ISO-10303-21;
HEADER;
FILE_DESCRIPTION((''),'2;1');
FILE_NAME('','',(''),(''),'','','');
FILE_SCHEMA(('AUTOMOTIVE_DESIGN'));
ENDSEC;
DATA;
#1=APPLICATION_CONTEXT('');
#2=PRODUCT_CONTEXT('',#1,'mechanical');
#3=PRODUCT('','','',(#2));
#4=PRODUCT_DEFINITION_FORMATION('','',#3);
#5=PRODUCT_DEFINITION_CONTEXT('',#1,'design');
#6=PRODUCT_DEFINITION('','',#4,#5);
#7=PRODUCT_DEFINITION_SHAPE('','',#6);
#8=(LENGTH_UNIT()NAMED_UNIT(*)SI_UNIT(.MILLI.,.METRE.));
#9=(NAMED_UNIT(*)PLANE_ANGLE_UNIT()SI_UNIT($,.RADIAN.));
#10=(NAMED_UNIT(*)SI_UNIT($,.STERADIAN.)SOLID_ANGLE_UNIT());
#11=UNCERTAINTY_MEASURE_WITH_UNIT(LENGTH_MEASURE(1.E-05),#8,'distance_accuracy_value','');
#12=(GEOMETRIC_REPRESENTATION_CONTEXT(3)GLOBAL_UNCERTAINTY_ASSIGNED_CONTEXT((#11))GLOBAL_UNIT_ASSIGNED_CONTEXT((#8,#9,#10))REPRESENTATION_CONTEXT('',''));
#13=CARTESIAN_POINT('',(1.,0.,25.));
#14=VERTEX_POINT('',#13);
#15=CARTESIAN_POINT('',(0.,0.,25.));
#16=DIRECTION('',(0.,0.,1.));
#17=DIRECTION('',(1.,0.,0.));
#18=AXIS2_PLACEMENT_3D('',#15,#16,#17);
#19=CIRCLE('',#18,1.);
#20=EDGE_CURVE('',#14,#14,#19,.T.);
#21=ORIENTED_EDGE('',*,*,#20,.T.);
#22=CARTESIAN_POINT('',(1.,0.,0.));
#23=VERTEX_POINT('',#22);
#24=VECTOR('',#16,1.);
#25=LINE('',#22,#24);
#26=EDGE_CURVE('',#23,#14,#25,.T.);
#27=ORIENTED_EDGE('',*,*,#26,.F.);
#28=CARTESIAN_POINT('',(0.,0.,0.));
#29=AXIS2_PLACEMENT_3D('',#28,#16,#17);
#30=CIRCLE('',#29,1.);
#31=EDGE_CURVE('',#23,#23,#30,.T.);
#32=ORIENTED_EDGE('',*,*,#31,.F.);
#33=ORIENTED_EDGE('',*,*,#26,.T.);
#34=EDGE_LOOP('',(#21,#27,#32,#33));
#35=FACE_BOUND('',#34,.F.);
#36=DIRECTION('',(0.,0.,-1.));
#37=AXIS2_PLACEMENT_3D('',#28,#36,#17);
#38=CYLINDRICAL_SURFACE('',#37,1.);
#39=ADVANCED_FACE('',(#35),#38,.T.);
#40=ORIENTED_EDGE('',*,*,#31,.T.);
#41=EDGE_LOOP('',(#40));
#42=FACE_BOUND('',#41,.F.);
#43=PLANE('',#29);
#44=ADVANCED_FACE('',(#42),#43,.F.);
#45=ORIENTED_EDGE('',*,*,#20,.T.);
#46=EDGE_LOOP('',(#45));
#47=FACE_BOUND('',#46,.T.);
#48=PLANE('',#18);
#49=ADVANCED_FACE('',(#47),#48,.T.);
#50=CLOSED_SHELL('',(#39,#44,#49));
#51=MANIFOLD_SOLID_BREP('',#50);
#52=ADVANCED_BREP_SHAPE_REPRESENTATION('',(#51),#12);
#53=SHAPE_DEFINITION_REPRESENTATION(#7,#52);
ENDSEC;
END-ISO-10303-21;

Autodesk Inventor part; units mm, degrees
ref_plane "YZ Plane" through (0, 0, 0) normal (1, 0, 0) x (0, 1, 0)
ref_plane "XZ Plane" through (0, 0, 0) normal (0, 1, 0) x (-1, 0, 0)
ref_plane "XY Plane" through (0, 0, 0) normal (0, 0, 1) x (1, 0, 0)
sketch "Sketch1" plane through (0, 0, 0) normal (0, 0, 1) x (1, 0, 0)
  circle A0 centre (0, 0) radius 1
  dimension "d0" = 2
extrude "Extrusion1" add sketch "Sketch1" along normal blind 25
properties part number "rod_3x44"
